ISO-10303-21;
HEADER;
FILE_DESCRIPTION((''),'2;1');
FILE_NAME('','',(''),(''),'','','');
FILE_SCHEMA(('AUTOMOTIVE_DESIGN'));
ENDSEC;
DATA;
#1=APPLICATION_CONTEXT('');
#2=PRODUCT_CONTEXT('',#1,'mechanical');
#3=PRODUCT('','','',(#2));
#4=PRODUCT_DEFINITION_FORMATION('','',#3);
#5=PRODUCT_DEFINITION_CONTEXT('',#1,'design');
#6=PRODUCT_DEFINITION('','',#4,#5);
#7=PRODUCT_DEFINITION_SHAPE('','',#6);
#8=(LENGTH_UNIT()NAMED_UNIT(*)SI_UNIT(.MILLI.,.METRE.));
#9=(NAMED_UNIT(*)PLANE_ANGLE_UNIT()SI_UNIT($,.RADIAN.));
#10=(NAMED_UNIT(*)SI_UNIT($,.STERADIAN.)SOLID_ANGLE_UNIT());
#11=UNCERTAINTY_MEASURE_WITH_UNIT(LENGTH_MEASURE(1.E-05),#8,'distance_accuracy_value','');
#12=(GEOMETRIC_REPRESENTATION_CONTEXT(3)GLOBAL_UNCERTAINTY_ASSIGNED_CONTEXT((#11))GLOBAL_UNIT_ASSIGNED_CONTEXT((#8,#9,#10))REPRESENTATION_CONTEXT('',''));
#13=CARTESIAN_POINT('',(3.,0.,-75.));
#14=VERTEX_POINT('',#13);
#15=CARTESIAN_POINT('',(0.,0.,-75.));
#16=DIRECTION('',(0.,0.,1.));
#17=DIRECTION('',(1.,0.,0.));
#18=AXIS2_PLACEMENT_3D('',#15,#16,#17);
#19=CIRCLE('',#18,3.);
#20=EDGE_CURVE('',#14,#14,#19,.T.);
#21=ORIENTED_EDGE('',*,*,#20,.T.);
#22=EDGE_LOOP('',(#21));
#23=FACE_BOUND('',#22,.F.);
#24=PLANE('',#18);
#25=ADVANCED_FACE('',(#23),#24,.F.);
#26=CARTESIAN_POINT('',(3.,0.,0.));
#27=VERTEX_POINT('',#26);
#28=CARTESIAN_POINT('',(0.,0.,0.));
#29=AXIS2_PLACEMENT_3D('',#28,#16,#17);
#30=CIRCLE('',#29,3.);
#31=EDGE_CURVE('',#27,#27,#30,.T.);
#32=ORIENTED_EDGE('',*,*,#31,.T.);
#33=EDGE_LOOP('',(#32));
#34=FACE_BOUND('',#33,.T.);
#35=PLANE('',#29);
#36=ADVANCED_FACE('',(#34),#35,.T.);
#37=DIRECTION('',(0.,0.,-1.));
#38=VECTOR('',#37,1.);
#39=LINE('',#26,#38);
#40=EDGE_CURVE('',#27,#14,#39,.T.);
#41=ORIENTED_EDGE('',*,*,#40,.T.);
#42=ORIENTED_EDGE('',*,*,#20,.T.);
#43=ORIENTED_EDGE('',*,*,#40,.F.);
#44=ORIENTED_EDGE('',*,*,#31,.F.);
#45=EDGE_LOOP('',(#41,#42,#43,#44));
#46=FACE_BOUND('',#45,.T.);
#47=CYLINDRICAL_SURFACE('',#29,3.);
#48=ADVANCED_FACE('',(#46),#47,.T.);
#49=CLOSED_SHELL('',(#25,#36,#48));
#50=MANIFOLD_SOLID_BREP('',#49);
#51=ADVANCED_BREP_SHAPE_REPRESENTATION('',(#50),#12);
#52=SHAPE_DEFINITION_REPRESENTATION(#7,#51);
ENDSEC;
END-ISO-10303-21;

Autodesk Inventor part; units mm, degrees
ref_plane "YZ Plane" through (0, 0, 0) normal (1, 0, 0) x (0, 1, 0)
ref_plane "XZ Plane" through (0, 0, 0) normal (0, 1, 0) x (-1, 0, 0)
sketch "Sketch1" plane through (0, 0, 0) normal (0, 0, 1) x (1, 0, 0)
  circle A0 centre (0, 0) radius 3
  dimension "d0" = 6
ref_plane "Work Plane1" through (-3.3124, -3.4749, -75) normal (0, 0, -1) x (0, 1, 0)
extrude "Extrusion1" add sketch "Sketch1" against normal up to surface (75 mm away)
properties part number "False Axle"
